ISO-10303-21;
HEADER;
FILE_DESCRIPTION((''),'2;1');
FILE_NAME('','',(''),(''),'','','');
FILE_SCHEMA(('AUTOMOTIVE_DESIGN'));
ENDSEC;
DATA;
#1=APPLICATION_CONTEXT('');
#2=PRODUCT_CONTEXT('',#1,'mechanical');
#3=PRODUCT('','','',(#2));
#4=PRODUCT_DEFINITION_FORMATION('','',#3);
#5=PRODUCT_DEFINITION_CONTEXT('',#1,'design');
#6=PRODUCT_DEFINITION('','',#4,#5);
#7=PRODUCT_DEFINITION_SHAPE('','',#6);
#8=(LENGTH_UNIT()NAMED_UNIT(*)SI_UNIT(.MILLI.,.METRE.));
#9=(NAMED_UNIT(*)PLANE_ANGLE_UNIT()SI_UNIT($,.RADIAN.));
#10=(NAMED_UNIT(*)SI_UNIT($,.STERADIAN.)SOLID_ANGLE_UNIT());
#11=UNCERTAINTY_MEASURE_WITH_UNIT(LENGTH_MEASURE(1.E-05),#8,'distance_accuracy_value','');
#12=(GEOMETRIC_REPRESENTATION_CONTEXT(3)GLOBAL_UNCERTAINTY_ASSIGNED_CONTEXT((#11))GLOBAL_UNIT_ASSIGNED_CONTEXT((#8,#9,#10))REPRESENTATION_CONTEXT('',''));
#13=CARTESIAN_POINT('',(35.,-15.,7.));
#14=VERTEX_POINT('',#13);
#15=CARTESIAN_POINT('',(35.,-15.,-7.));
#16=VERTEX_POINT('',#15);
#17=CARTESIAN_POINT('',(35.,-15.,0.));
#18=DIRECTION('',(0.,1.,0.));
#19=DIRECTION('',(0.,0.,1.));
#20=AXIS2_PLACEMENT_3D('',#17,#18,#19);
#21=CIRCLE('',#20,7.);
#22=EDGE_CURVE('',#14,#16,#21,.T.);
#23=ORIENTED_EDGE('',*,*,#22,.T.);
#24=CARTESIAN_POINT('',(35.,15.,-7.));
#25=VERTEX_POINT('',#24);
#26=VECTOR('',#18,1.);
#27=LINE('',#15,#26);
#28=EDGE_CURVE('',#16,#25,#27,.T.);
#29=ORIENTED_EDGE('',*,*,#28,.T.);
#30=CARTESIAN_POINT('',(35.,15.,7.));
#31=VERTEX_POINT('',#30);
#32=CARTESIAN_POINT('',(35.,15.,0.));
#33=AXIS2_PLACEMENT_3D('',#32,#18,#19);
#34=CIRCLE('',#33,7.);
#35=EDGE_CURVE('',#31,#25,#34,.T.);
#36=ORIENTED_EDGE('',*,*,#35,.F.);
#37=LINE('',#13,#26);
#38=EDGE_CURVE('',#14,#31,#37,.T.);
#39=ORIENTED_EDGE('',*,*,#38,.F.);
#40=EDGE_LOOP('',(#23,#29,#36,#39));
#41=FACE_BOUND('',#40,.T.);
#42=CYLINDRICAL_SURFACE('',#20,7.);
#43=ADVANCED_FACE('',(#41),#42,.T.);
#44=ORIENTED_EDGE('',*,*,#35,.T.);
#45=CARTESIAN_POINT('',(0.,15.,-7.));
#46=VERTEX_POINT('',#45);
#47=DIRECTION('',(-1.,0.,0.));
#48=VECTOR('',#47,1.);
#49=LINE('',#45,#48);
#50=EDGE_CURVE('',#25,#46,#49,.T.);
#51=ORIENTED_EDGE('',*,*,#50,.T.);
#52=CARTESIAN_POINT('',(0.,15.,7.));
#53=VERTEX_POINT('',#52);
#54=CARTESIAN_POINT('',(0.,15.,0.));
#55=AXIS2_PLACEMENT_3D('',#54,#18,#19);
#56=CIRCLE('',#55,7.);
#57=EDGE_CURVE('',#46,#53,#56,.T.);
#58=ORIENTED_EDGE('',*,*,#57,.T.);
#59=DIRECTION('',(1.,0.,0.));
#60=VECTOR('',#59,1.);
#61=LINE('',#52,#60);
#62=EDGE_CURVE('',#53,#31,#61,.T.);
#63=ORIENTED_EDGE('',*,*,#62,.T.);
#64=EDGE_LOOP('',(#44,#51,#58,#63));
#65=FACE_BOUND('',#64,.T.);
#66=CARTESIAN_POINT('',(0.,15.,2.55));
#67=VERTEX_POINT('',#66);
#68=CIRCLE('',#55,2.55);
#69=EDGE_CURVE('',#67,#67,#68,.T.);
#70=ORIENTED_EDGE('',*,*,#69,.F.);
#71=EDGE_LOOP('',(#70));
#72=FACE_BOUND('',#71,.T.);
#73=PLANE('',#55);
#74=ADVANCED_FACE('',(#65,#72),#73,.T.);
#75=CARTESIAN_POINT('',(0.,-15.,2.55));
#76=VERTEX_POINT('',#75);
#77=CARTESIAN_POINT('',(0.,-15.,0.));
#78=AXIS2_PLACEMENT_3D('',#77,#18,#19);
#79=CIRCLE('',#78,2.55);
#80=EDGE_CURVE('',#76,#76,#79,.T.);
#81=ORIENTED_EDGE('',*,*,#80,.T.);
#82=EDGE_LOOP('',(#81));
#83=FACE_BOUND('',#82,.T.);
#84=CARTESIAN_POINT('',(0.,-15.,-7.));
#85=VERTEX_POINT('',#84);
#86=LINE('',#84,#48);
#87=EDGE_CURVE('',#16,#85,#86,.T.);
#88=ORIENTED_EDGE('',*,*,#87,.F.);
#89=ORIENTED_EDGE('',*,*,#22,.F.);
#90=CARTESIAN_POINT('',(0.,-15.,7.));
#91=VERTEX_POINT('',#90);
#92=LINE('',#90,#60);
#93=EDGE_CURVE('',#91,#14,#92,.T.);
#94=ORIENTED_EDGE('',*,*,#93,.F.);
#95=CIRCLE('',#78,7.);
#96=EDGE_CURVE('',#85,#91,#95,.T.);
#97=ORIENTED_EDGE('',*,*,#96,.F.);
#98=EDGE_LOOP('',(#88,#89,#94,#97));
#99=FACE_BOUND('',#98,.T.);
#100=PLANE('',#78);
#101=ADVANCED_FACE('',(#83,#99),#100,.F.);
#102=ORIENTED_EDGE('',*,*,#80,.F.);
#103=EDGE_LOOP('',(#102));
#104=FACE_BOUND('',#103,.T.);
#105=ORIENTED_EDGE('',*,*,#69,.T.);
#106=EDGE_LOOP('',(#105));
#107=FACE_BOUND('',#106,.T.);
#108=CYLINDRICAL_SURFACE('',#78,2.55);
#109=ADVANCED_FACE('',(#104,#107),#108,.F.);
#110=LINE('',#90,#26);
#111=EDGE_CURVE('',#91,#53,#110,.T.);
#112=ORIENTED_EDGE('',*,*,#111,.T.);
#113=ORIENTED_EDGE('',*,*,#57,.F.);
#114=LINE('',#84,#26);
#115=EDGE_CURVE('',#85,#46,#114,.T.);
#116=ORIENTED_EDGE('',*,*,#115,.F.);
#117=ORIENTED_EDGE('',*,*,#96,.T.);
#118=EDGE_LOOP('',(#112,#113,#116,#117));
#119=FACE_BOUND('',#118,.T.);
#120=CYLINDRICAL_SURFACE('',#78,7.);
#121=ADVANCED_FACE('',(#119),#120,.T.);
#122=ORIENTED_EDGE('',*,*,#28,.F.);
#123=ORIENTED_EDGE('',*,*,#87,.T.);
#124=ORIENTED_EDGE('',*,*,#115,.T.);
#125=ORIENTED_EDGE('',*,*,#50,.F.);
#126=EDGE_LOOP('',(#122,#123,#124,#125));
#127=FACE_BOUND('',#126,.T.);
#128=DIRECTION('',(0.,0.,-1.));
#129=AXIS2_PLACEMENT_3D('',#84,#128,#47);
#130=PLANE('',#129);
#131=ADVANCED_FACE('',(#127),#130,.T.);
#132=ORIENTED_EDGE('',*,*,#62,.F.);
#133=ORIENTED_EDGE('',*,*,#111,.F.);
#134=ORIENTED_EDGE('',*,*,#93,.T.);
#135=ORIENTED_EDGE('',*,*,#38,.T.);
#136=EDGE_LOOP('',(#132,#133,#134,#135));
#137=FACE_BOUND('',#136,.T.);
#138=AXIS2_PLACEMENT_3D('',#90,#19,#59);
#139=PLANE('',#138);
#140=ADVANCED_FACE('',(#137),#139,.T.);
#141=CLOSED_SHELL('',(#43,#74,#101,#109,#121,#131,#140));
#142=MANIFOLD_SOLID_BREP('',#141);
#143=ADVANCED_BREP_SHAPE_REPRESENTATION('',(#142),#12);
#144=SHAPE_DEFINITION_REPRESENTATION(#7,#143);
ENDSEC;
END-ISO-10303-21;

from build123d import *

# Parameters (mm, degrees)
AUFSATZ_LINEAR_AUSTRAGEN1_DEPTH      = 15
AUFSATZ_LINEAR_AUSTRAGEN1_DEPTH_BACK = 15
SKIZZE1_R                            = 2.55


with BuildPart() as part:
    # Skizze1 → Aufsatz-Linear austragen1 (new, two sides: drawn at the far end of the back side and taken through both)
    with BuildSketch(Plane(origin=(0, 0, 0), x_dir=(1, 0, 0), z_dir=(0, 1, 0)).offset(-AUFSATZ_LINEAR_AUSTRAGEN1_DEPTH_BACK)):
        with BuildLine():
            Line((0, 7), (35, 7))
            ThreePointArc((35, 7), (42, 0), (35, -7))
            Line((35, -7), (0, -7))
            ThreePointArc((0, -7), (-7, 0), (0, 7))
        make_face()
        Circle(SKIZZE1_R, mode=Mode.SUBTRACT)
    extrude(amount=AUFSATZ_LINEAR_AUSTRAGEN1_DEPTH + AUFSATZ_LINEAR_AUSTRAGEN1_DEPTH_BACK)


solid = part.part
